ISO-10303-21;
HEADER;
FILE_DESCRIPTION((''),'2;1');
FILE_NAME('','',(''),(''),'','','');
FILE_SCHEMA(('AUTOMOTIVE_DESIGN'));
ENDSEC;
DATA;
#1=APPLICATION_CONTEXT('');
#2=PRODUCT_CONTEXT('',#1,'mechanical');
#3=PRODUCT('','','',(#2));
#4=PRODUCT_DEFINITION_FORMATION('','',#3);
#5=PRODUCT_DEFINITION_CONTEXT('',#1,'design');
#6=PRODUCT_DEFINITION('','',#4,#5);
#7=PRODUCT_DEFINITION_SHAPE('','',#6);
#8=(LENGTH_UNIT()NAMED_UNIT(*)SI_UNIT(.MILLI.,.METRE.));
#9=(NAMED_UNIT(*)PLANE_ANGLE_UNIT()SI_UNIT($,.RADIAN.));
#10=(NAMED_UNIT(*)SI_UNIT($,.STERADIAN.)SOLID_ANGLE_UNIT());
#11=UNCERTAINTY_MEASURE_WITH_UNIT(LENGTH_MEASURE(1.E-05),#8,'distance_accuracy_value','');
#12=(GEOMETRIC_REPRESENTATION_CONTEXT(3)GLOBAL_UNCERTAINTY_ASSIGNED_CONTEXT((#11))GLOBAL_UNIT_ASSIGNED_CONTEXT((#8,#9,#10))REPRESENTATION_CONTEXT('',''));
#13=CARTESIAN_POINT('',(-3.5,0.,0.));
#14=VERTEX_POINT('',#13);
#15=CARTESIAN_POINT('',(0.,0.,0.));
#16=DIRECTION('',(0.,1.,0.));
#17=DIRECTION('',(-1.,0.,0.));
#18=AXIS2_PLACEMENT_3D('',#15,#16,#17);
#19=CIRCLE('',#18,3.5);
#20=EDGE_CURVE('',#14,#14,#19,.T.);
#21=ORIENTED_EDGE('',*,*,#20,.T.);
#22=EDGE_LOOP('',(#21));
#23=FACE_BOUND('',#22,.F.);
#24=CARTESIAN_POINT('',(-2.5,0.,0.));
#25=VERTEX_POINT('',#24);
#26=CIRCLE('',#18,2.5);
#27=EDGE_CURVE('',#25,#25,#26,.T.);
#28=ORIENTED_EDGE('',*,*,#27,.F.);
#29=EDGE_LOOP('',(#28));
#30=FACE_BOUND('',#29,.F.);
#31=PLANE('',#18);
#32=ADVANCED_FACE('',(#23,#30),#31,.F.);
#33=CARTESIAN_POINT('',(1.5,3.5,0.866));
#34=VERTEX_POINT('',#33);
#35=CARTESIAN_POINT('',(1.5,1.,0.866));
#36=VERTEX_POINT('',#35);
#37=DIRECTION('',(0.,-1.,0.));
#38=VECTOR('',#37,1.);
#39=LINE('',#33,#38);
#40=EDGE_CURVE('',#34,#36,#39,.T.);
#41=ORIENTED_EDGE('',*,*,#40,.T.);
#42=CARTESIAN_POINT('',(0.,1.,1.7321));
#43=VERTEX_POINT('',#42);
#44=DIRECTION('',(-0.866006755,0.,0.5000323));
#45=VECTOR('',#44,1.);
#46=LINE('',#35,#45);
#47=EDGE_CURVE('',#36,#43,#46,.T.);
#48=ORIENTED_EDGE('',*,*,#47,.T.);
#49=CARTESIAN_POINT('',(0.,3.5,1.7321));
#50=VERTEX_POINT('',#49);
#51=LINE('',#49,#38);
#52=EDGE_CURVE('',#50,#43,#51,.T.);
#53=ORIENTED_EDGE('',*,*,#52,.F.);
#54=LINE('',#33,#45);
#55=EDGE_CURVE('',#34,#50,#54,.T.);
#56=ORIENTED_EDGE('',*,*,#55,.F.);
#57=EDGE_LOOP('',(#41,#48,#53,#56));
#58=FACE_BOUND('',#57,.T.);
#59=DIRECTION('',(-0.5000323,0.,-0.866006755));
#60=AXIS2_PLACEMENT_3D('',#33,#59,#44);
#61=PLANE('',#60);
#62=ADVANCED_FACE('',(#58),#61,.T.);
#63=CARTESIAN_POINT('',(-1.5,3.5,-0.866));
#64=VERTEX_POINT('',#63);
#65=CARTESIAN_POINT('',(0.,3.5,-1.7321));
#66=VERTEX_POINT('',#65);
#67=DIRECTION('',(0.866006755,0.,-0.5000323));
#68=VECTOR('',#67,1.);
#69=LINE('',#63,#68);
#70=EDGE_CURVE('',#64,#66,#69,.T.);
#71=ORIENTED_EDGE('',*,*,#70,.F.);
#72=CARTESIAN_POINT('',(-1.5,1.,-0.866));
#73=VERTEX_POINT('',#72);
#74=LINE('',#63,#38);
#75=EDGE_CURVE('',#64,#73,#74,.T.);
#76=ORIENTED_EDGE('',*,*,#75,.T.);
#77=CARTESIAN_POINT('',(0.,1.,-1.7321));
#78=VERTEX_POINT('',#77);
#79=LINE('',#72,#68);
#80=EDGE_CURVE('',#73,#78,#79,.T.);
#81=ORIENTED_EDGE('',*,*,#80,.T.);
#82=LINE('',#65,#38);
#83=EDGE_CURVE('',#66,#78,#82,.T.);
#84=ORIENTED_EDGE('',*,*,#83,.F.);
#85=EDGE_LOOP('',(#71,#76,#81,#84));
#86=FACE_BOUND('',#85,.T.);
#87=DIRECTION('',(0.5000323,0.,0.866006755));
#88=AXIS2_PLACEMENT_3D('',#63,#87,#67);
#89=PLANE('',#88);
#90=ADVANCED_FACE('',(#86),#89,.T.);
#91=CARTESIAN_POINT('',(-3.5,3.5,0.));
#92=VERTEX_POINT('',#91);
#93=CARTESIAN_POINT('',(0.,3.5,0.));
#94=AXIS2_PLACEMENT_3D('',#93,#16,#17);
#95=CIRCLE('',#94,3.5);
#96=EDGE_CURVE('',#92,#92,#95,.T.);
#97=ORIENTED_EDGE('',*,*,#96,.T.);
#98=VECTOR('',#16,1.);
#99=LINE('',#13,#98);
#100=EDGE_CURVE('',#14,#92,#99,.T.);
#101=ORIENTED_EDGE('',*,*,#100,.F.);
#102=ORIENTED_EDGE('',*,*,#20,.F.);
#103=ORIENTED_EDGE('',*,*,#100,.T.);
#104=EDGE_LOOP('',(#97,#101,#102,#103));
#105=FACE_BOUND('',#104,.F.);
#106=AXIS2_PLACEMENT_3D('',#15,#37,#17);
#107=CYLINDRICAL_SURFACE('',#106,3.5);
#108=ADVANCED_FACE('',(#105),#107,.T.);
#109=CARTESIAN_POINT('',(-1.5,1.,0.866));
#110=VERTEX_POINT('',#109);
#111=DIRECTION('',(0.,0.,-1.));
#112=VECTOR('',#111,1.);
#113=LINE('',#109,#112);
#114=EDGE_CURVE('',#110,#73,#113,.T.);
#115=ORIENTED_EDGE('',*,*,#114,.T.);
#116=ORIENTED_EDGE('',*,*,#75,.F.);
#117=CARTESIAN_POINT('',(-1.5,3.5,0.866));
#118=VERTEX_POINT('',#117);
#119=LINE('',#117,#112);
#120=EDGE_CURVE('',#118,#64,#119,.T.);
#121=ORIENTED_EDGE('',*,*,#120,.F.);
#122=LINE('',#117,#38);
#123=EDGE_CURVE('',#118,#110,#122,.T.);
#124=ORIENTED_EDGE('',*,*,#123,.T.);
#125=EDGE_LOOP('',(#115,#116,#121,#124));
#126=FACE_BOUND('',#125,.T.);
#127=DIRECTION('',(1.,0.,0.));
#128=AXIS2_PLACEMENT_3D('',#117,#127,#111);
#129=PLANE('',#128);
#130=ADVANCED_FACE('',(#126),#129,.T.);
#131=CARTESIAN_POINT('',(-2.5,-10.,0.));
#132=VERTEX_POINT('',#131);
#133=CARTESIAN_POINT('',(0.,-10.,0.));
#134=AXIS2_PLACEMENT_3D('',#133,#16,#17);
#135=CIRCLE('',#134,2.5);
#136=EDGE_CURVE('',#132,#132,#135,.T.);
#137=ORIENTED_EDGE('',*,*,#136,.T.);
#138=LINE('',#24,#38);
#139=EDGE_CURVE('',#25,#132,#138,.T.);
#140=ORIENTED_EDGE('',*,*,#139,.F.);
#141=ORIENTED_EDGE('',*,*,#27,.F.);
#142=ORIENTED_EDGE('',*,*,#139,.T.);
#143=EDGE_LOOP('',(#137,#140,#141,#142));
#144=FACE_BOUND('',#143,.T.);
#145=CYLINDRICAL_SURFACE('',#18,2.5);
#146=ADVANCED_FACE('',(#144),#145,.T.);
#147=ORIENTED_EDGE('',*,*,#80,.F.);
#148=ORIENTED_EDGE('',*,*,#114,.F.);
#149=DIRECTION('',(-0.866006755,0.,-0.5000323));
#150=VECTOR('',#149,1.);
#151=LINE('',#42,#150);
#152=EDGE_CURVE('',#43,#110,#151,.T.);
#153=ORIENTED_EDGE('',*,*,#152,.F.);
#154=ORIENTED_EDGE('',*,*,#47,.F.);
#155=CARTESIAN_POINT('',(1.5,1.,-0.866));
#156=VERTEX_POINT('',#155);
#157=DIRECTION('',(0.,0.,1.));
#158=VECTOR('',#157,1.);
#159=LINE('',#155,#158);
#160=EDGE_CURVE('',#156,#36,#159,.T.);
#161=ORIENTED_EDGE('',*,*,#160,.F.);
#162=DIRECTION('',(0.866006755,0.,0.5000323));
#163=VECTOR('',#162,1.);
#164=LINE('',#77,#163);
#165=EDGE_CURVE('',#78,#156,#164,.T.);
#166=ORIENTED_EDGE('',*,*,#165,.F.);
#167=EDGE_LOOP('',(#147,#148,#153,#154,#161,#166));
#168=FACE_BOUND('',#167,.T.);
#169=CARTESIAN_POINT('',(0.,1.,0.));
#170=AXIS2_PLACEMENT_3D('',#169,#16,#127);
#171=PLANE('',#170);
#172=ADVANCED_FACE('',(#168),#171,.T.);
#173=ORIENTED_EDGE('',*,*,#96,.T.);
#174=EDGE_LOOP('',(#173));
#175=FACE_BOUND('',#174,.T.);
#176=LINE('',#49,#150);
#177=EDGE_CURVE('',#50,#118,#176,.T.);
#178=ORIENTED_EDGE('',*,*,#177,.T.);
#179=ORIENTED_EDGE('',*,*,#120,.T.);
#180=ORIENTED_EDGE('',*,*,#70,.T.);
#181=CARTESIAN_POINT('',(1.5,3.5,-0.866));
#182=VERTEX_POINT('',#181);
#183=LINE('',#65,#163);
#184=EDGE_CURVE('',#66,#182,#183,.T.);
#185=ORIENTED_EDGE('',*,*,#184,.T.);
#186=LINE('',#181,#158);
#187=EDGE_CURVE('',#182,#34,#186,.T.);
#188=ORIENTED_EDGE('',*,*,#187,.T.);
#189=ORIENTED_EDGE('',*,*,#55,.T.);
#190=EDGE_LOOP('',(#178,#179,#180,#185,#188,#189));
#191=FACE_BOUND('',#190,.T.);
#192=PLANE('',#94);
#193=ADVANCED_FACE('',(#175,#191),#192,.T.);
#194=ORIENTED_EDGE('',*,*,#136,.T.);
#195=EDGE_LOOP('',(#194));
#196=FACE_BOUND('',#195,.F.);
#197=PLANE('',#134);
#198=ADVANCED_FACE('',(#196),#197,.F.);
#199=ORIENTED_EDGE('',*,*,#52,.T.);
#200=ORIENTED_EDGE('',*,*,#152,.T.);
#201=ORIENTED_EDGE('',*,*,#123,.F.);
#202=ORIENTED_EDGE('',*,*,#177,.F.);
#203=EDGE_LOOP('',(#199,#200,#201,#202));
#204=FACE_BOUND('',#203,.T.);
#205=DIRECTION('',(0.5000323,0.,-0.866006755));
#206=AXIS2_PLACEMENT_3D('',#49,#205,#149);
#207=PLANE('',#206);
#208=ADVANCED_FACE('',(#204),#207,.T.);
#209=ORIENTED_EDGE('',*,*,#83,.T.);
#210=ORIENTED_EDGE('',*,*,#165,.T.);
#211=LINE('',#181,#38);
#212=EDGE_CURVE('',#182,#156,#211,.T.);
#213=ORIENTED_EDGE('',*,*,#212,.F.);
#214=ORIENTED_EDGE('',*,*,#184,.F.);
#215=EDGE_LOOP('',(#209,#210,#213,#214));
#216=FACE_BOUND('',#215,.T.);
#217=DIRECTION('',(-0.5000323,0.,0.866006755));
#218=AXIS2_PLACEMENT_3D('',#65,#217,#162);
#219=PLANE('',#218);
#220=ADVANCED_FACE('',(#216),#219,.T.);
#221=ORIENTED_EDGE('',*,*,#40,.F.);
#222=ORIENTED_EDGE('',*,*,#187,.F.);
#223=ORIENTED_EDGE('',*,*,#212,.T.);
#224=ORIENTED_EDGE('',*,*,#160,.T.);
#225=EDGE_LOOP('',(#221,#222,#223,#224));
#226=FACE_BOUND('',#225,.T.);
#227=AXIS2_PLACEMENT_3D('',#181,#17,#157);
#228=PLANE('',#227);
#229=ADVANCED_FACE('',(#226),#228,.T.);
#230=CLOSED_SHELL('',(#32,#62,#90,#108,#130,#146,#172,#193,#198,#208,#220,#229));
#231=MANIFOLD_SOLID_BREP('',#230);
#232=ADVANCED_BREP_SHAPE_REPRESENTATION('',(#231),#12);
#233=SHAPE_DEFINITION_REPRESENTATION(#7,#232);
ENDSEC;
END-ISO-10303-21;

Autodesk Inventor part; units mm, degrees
ref_plane "YZ Plane" through (0, 0, 0) normal (1, 0, 0) x (0, 1, 0)
ref_plane "XZ Plane" through (0, 0, 0) normal (0, 1, 0) x (-1, 0, 0)
ref_plane "XY Plane" through (0, 0, 0) normal (0, 0, 1) x (1, 0, 0)
sketch "Sketch1" plane through (0, 0, 0) normal (0, 1, 0) x (-1, 0, 0)
  circle A0 centre (0, 0) radius 3.5
  circle A1 centre (0, 0) radius 2.5
  dimension "d0" = 7
  dimension "d1" = 5
extrude "Extrusion1" add sketch "Sketch1" against normal blind 10 contours A1
extrude "Extrusion2" add sketch "Sketch1" along normal blind 3.5 contours A0 | A1
sketch "Sketch2" plane through (0, 3.5, 0) normal (0, 1, 0) x (1, 0, 0)
  circle A0 centre (0, 0) radius 2.5 projected
  line L0 (-1.5, -0.866) -> (-1.5, 0.866)
  line L1 (-1.5, 0.866) -> (0, 1.7321)
  line L2 (0, 1.7321) -> (1.5, 0.866)
  line L3 (1.5, 0.866) -> (1.5, -0.866)
  line L4 (1.5, -0.866) -> (0, -1.7321)
  line L5 (0, -1.7321) -> (-1.5, -0.866)
  dimension "d6" = 3
extrude "Extrusion3" cut sketch "Sketch2" against normal blind 2.5 contours L0 L1 L2 L3 L4 L5
equation "\"d0\" = D_"
equation "\"d1\" = M_"
equation "\"d2\" = L_"
equation "\"d4\" = K_"
equation "\"d6\" = S_"
equation "\"d7\" = t_"
equation "\"K_\" = 3.5"
equation "\"D_\" = 7"
equation "\"S_\" = 3"
equation "\"t_\" = 2.5"
equation "\"M_\" = 5"
equation "\"L_\" = 10"
properties part number "M5 x 10" material "Stainless Steel"
